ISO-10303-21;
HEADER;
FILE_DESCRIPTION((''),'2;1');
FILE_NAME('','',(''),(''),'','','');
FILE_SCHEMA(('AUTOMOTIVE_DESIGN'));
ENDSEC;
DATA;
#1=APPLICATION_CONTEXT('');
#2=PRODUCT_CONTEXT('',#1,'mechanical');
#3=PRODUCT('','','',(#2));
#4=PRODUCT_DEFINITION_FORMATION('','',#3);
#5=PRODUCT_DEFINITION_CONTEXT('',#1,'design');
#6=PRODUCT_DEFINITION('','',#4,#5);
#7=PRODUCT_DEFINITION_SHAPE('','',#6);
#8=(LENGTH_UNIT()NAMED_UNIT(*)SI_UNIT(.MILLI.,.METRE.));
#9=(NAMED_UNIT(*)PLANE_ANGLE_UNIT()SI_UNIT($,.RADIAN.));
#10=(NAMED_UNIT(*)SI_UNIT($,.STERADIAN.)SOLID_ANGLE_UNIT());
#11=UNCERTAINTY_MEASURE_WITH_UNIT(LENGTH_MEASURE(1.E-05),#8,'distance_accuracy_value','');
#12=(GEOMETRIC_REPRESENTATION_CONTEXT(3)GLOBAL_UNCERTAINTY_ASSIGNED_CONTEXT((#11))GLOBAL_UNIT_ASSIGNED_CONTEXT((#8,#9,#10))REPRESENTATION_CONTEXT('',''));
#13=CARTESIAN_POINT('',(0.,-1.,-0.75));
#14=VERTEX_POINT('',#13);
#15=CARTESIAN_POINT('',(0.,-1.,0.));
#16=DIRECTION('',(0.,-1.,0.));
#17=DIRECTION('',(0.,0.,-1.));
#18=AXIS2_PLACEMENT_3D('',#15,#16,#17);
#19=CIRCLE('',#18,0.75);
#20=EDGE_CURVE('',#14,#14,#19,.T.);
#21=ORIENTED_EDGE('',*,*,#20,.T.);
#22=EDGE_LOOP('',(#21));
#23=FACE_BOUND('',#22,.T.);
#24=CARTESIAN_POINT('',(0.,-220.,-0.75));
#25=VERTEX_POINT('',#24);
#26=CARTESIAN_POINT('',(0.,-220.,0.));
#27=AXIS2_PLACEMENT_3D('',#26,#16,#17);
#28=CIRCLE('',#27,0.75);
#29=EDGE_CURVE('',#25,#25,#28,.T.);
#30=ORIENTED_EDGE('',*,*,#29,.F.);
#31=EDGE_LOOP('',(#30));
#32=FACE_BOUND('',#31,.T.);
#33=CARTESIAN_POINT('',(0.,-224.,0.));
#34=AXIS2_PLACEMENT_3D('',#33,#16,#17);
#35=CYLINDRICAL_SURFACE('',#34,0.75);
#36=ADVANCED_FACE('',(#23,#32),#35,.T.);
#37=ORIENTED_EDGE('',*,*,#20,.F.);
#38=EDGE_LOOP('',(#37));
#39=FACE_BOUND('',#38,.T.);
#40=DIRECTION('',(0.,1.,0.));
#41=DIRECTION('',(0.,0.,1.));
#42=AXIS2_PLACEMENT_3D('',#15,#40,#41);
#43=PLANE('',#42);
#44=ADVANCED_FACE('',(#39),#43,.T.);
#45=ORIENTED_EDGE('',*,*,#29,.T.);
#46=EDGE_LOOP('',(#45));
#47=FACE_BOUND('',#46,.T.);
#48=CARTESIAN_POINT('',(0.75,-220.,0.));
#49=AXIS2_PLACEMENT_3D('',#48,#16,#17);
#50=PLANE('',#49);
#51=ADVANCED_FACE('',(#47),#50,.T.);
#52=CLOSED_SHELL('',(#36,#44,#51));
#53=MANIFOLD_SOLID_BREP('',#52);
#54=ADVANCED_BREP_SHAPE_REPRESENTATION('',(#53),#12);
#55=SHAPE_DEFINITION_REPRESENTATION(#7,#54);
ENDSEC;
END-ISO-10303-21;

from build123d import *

# Parameters (mm, degrees)
SKETCH1_W = 0.75
SKETCH1_H = 219


with BuildPart() as part:
    # Sketch1 → Varilla_carbono (revolve)
    with BuildSketch(Plane.XY, mode=Mode.PRIVATE) as varilla_carbono_sk:
        with Locations((0.375, -110.5)):
            Rectangle(SKETCH1_W, SKETCH1_H)
    revolve(varilla_carbono_sk.sketch.rotate(Axis((0, -224, 0), (0, 1, 0)), 90), axis=Axis((0, -224, 0), (0, 1, 0)))


solid = part.part
